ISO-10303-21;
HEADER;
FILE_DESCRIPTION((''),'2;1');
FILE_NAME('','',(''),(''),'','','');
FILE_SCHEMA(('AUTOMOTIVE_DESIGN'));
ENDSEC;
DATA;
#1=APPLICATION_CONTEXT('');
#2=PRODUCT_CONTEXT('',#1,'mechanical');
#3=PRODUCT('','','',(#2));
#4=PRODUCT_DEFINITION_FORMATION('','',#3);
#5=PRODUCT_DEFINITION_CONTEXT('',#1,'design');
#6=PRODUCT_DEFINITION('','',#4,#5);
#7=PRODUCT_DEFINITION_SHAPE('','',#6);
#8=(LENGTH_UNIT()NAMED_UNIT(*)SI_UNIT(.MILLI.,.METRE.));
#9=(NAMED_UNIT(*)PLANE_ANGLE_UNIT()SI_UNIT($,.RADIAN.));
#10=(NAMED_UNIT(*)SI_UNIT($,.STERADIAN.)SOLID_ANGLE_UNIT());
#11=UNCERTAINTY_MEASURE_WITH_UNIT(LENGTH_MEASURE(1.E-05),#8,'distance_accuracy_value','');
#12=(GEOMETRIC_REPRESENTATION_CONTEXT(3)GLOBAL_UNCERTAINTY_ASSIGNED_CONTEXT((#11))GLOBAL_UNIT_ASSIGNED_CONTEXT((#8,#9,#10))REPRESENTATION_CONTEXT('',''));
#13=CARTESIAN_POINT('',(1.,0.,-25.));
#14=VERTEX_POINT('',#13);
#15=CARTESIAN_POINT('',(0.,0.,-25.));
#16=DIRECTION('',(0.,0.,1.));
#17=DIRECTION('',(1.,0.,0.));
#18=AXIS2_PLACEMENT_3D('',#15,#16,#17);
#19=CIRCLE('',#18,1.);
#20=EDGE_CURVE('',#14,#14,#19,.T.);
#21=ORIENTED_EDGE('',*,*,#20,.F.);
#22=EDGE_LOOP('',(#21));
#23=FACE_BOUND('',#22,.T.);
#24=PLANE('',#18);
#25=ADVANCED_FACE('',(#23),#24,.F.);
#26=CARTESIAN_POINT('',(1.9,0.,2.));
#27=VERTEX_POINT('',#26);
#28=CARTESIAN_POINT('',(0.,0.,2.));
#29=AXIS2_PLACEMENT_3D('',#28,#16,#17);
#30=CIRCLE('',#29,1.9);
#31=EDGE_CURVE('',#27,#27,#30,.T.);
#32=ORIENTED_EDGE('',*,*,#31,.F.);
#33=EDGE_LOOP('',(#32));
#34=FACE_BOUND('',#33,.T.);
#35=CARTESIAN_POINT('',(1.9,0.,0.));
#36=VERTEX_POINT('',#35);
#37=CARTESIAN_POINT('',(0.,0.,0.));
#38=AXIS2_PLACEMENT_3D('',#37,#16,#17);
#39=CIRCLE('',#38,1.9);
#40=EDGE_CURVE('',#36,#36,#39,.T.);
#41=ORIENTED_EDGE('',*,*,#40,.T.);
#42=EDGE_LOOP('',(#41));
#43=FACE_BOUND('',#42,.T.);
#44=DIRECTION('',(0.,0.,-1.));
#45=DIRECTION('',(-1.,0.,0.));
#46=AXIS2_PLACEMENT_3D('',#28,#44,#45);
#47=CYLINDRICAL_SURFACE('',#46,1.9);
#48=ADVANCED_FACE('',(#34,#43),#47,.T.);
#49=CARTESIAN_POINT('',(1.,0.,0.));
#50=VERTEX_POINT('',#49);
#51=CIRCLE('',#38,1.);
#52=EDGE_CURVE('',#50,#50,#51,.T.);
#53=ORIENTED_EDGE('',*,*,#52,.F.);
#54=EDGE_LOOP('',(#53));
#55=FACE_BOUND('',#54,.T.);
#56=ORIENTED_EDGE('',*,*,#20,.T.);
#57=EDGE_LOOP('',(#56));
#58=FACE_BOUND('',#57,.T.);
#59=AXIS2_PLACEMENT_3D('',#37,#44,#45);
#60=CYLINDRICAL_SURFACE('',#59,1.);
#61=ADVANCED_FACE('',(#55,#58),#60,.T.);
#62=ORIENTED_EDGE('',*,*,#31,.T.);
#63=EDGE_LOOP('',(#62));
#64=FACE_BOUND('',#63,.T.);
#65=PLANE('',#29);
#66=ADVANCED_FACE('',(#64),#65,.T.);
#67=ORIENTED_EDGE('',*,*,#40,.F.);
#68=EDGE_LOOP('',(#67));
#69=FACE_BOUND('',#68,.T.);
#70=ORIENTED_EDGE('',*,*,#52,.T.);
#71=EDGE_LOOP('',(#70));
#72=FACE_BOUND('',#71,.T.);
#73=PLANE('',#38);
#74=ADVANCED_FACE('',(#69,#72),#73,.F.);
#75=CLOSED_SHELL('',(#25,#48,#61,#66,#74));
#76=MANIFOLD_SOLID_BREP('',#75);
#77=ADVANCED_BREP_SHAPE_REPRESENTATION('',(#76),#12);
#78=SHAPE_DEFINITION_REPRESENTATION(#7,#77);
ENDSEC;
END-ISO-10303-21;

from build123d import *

# Parameters (mm, degrees)
SHANK_NOMINAL_THREAD_ENVELOPE_START     = -25
SHANK_NOMINAL_THREAD_ENVELOPE_PROFILE_R = 1
SHANK_NOMINAL_THREAD_ENVELOPE_DEPTH     = 25
SOCKET_HEAD_ENVELOPE_PROFILE_R          = 1.9
SOCKET_HEAD_ENVELOPE_DEPTH              = 2


with BuildPart() as part:
    # Shank_nominal_thread_envelope_profile → Shank_nominal_thread_envelope (new body)
    with BuildSketch(Plane.XY.offset(SHANK_NOMINAL_THREAD_ENVELOPE_START)):
        Circle(SHANK_NOMINAL_THREAD_ENVELOPE_PROFILE_R)
    extrude(amount=SHANK_NOMINAL_THREAD_ENVELOPE_DEPTH)

    # Socket_head_envelope_profile → Socket_head_envelope (add)
    with BuildSketch(Plane.XY):
        Circle(SOCKET_HEAD_ENVELOPE_PROFILE_R)
    extrude(amount=SOCKET_HEAD_ENVELOPE_DEPTH)


solid = part.part
